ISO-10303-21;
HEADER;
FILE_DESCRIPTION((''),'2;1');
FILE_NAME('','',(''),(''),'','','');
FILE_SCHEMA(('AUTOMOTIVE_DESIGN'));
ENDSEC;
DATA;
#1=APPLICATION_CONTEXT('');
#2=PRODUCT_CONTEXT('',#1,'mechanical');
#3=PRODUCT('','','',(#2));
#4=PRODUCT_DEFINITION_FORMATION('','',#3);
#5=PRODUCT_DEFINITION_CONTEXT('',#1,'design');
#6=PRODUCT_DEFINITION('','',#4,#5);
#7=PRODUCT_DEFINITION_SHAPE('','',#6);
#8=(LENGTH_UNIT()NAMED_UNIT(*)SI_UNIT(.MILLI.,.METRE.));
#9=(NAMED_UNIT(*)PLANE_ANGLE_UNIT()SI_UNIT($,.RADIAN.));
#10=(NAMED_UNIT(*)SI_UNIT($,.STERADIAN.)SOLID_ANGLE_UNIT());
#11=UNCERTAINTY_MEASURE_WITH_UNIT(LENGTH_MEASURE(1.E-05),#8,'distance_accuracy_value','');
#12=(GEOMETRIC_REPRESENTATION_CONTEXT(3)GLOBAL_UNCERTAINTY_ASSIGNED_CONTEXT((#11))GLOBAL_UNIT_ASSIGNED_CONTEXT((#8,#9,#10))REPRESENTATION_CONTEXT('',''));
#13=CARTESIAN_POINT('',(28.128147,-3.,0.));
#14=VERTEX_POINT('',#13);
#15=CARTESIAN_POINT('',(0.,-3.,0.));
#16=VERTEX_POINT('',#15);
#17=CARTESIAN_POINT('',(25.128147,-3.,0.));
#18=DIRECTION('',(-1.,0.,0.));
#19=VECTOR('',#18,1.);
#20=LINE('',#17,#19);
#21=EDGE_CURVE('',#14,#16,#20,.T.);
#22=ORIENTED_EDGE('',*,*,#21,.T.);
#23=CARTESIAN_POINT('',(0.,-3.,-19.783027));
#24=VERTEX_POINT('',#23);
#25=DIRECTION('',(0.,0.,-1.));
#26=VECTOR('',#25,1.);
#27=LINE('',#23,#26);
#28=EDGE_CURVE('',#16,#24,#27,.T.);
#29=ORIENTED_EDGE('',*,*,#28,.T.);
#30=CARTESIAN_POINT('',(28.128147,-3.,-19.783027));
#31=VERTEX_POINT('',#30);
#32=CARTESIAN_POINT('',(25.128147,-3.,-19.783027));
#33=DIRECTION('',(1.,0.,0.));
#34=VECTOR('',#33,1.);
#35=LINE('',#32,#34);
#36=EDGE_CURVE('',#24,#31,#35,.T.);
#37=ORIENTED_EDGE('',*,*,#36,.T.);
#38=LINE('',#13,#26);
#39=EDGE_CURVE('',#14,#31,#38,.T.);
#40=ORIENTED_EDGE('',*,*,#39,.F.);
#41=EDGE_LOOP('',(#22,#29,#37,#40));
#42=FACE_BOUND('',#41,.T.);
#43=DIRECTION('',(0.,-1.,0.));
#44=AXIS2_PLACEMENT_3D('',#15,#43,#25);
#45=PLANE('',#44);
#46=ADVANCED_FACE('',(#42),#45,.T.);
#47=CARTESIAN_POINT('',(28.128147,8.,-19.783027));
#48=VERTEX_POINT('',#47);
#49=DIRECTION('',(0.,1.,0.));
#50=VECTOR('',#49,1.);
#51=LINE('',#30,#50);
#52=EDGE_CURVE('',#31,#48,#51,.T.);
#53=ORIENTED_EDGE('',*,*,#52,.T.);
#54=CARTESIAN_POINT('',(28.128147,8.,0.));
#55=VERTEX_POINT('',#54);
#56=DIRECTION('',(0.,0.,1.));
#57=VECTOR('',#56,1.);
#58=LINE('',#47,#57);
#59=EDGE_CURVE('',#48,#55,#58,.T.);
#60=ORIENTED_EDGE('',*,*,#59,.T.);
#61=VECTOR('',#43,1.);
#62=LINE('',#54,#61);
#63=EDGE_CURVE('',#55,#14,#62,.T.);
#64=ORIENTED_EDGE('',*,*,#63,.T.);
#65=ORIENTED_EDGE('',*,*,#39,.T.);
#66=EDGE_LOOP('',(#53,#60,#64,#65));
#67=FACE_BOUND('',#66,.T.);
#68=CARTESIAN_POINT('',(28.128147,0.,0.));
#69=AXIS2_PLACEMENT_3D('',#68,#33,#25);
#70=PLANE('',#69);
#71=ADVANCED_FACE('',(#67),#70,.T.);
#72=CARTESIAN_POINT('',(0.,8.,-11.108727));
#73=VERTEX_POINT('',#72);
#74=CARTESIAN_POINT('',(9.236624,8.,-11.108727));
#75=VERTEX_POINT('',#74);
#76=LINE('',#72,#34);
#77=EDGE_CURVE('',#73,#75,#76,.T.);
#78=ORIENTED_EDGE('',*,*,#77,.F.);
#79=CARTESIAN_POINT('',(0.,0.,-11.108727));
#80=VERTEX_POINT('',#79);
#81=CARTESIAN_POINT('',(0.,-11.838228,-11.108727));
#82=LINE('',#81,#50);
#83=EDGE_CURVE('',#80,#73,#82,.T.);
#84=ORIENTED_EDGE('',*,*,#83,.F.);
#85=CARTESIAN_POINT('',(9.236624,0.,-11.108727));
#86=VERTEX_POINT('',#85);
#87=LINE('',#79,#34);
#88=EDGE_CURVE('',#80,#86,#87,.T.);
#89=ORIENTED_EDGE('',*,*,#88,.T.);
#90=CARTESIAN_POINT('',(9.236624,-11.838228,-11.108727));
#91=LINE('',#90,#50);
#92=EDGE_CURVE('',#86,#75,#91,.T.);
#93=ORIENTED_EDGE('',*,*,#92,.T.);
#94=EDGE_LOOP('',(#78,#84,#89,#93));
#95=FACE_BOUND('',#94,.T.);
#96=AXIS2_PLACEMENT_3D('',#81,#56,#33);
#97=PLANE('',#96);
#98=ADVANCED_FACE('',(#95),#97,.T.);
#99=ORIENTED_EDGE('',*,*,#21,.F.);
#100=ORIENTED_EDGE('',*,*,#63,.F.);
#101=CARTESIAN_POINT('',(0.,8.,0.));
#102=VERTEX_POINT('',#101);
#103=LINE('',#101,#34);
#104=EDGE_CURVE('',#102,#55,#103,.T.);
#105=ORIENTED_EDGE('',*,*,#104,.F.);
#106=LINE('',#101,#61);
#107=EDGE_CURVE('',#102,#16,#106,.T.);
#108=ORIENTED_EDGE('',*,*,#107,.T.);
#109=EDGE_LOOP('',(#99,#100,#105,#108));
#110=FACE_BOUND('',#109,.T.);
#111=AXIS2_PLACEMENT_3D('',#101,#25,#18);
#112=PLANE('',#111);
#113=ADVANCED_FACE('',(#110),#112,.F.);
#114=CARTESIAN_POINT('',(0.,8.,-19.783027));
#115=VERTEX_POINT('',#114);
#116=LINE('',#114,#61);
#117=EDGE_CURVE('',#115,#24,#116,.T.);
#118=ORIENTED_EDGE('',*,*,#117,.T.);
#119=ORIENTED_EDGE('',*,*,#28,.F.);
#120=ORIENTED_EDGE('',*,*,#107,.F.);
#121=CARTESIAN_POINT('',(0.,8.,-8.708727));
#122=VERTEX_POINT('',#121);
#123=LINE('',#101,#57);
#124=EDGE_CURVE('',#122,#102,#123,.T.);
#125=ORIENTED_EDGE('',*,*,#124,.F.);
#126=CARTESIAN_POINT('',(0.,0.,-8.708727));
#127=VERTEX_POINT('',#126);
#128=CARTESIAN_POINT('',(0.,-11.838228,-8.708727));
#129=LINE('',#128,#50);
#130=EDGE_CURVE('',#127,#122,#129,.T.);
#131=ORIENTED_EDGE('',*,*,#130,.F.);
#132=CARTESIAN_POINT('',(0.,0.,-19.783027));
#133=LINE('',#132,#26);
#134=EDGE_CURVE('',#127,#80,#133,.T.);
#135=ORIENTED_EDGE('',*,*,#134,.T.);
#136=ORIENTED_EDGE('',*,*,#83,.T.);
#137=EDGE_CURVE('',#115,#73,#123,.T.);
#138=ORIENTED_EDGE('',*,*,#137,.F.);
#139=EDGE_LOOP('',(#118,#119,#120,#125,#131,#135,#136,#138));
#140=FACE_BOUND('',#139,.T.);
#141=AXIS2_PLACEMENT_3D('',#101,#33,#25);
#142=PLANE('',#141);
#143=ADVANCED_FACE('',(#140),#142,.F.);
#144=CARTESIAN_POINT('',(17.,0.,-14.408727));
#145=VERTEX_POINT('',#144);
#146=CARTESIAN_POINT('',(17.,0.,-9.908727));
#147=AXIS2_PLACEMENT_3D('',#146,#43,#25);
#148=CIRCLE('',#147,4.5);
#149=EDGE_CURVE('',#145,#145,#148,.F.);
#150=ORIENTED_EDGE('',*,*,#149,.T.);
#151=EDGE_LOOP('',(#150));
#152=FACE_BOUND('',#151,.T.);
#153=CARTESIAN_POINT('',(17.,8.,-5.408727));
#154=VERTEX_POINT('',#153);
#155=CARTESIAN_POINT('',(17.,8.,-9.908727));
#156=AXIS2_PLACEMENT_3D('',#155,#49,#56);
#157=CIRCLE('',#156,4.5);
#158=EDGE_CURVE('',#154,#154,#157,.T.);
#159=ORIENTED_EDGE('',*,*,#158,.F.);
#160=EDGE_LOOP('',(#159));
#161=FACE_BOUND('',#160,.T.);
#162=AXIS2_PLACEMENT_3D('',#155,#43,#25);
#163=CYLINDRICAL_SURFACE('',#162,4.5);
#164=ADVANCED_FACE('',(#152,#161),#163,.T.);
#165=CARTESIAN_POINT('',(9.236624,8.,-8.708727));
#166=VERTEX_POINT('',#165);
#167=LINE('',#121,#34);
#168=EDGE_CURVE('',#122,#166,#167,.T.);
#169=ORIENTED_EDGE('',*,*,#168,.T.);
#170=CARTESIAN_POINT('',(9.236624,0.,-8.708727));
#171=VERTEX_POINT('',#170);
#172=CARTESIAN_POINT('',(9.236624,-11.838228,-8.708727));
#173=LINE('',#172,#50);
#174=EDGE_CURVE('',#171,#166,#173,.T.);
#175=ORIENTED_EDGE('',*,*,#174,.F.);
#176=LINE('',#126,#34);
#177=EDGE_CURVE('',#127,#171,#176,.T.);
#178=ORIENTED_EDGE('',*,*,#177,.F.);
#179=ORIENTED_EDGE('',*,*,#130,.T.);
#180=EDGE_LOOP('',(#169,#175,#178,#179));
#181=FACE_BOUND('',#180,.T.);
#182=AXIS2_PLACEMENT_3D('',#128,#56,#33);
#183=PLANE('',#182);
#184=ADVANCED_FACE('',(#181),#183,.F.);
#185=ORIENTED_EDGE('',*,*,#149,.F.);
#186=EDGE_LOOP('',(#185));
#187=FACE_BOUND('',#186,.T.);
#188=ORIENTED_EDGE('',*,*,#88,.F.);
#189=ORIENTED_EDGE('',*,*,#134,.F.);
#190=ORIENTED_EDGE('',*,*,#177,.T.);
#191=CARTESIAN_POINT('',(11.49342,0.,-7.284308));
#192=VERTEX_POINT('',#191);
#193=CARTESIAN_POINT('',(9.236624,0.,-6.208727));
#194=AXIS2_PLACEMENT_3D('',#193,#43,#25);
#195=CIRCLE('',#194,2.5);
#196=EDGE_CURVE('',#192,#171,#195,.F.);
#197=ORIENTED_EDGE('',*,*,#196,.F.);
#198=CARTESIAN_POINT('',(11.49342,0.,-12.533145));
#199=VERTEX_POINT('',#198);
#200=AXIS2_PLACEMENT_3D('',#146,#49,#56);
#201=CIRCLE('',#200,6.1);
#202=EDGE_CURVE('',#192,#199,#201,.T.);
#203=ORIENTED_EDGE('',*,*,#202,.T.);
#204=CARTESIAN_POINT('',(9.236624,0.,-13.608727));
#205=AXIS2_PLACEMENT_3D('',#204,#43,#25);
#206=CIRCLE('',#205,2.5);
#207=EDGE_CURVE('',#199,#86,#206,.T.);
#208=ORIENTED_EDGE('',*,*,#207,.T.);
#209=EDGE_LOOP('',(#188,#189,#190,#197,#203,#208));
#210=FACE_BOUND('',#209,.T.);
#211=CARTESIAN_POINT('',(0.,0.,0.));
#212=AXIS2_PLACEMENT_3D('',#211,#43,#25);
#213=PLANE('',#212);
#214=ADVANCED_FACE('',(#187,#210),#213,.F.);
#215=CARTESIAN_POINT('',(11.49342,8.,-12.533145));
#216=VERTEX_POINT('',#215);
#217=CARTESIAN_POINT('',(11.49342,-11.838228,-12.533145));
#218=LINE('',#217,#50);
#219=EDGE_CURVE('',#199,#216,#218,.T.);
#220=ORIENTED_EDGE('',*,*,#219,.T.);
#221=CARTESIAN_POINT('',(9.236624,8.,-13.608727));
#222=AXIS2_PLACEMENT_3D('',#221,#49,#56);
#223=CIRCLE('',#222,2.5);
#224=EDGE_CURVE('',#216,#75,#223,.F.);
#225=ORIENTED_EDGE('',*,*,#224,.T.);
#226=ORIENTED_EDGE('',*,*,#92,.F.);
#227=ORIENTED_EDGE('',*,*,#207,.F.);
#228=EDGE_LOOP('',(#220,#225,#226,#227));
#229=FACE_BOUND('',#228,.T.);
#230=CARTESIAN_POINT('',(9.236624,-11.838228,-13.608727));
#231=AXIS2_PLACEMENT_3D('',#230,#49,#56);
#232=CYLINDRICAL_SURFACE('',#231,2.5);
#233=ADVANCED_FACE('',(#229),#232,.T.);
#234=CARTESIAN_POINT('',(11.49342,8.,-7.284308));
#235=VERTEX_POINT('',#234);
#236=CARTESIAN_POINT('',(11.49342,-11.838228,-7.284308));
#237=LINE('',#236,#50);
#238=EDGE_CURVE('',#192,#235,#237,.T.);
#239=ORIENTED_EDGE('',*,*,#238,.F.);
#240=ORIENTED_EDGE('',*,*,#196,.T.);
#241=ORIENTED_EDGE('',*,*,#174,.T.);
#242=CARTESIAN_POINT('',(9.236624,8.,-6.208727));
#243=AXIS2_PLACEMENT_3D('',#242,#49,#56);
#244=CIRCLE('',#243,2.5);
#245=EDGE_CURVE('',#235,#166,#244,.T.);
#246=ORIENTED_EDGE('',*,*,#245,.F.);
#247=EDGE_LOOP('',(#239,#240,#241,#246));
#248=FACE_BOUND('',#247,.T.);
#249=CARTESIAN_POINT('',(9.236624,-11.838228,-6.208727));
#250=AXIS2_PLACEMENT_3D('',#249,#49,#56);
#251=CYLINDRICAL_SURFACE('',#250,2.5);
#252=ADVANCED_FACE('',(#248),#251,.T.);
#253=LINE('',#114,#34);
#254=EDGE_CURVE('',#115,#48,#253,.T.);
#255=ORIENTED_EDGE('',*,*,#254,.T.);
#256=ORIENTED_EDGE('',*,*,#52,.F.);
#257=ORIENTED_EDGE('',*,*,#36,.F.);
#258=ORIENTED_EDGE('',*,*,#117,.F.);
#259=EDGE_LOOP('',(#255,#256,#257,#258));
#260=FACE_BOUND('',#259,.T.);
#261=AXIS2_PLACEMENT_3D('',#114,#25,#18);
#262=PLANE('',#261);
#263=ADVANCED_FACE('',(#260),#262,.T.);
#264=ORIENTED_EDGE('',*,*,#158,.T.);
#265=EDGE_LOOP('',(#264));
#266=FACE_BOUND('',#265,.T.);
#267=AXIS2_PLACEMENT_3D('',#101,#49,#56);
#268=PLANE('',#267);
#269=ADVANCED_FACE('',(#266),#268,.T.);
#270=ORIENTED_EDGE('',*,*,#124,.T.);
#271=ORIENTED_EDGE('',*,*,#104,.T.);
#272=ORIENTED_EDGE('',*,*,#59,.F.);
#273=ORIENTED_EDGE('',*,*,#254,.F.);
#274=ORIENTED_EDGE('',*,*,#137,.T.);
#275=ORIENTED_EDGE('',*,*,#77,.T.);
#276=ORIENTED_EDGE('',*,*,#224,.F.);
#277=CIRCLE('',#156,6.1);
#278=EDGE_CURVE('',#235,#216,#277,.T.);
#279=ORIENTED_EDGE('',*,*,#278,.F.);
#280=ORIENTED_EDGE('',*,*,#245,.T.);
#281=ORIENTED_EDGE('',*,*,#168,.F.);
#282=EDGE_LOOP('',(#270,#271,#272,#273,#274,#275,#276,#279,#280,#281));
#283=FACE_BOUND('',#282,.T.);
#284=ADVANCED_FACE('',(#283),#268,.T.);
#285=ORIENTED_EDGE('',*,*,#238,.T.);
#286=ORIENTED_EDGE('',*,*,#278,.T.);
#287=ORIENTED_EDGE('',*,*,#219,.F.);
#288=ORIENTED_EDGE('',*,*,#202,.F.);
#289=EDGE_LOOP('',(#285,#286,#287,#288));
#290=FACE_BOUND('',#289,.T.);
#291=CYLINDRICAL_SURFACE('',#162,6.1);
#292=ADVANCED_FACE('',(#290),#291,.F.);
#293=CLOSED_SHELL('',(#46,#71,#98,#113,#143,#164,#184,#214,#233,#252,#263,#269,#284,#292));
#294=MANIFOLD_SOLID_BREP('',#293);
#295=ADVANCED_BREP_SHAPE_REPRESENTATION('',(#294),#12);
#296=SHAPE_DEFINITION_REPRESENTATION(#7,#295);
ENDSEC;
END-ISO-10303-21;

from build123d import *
from build123d.topology import SkipClean

# Parameters (mm, degrees)
BOSS_EXTRUDE3_DEPTH   = 8
SKETCH2_R             = 4.5
BOSS_EXTRUDE3_2_DEPTH = 8
SKETCH4_W             = 25.128147065
SKETCH4_H             = 19.783027293
BOSS_EXTRUDE4_DEPTH   = 3
SKETCH5_W             = 19.783027293
SKETCH5_H             = 11
BOSS_EXTRUDE5_DEPTH   = 3
BOSS_EXTRUDE6_START   = -8
BOSS_EXTRUDE6_DEPTH   = 8


with BuildPart() as part:
    # Sketch2 → Boss-Extrude3 (new body)
    with BuildSketch(Plane(origin=(0, 0, 0), x_dir=(1, 0, 0), z_dir=(0, 1, 0))):
        with BuildLine():
            Line((0, 19.783027293), (0, 11.408726598))
            Line((0, 11.408726598), (9.090512027, 11.408726598))
            ThreePointArc((9.090512027, 11.408726598), (10.598731266, 11.815413134), (11.698035534, 12.925210115))
            ThreePointArc((11.698035534, 12.925210115), (23.1, 9.908726598), (11.698035534, 6.892243082))
            ThreePointArc((11.698035534, 6.892243082), (10.598731266, 8.002040063), (9.090512027, 8.408726598))
            Line((9.090512027, 8.408726598), (0, 8.408726598))
            Line((0, 8.408726598), (0, 0))
            Line((0, 0), (25.128147065, 0))
            Line((25.128147065, 0), (25.128147065, 19.783027293))
            Line((25.128147065, 19.783027293), (0, 19.783027293))
        make_face()
    extrude(amount=BOSS_EXTRUDE3_DEPTH)



with BuildPart() as body_2:
    # Sketch2 → Boss-Extrude3 2 (new body)
    with BuildSketch(Plane(origin=(0, 0, 0), x_dir=(1, 0, 0), z_dir=(0, 1, 0))):
        with Locations(Location((17, 9.908726598, 0), (0, 0, 270))):
            Circle(SKETCH2_R)
    extrude(amount=BOSS_EXTRUDE3_2_DEPTH)


with BuildPart() as part_1:
    add(part.part)

    add(body_2.part)  # Boss-Extrude4 merges body 2
    # Sketch4 → Boss-Extrude4 (add)
    with BuildSketch(Plane.XZ):
        with Locations((12.564073533, -9.891513646)):
            Rectangle(SKETCH4_W, SKETCH4_H)
    extrude(amount=BOSS_EXTRUDE4_DEPTH)

    # Sketch5 → Boss-Extrude5 (add)
    with BuildSketch(Plane(origin=(25.128147065, 0, 0), x_dir=(0, 0, -1), z_dir=(1, 0, 0))):
        with Locations((9.891513646, 2.5)):
            Rectangle(SKETCH5_W, SKETCH5_H)
    extrude(amount=BOSS_EXTRUDE5_DEPTH)

    # Sketch6 → Boss-Extrude6 (add)
    with SkipClean():  # the faces are left unmerged after this step: merging them gives an invalid solid
        with BuildSketch(Plane(origin=(0, 8, 0), x_dir=(1, 0, 0), z_dir=(0, 1, 0)).offset(BOSS_EXTRUDE6_START)):
            with BuildLine():
                ThreePointArc((11.493419665, 12.533145203), (10.570986936, 11.494612896), (9.236624446, 11.108726598))
                Line((9.236624446, 11.108726598), (0, 11.108726598))
                Line((0, 11.108726598), (0, 11.408726598))
                Line((0, 11.408726598), (9.090512027, 11.408726598))
                ThreePointArc((9.090512027, 11.408726598), (10.598731266, 11.815413134), (11.698035534, 12.925210115))
                ThreePointArc((11.698035534, 12.925210115), (11.592173366, 12.731032588), (11.493419665, 12.533145203))
            make_face()
            with BuildLine():
                ThreePointArc((11.493419665, 7.284307994), (11.592173366, 7.086420609), (11.698035534, 6.892243082))
                ThreePointArc((11.698035534, 6.892243082), (10.598731266, 8.002040063), (9.090512027, 8.408726598))
                Line((9.090512027, 8.408726598), (0, 8.408726598))
                Line((0, 8.408726598), (0, 8.708726598))
                Line((0, 8.708726598), (9.236624446, 8.708726598))
                ThreePointArc((9.236624446, 8.708726598), (10.570986936, 8.3228403), (11.493419665, 7.284307994))
            make_face()
        extrude(amount=BOSS_EXTRUDE6_DEPTH)


solid = part_1.part
